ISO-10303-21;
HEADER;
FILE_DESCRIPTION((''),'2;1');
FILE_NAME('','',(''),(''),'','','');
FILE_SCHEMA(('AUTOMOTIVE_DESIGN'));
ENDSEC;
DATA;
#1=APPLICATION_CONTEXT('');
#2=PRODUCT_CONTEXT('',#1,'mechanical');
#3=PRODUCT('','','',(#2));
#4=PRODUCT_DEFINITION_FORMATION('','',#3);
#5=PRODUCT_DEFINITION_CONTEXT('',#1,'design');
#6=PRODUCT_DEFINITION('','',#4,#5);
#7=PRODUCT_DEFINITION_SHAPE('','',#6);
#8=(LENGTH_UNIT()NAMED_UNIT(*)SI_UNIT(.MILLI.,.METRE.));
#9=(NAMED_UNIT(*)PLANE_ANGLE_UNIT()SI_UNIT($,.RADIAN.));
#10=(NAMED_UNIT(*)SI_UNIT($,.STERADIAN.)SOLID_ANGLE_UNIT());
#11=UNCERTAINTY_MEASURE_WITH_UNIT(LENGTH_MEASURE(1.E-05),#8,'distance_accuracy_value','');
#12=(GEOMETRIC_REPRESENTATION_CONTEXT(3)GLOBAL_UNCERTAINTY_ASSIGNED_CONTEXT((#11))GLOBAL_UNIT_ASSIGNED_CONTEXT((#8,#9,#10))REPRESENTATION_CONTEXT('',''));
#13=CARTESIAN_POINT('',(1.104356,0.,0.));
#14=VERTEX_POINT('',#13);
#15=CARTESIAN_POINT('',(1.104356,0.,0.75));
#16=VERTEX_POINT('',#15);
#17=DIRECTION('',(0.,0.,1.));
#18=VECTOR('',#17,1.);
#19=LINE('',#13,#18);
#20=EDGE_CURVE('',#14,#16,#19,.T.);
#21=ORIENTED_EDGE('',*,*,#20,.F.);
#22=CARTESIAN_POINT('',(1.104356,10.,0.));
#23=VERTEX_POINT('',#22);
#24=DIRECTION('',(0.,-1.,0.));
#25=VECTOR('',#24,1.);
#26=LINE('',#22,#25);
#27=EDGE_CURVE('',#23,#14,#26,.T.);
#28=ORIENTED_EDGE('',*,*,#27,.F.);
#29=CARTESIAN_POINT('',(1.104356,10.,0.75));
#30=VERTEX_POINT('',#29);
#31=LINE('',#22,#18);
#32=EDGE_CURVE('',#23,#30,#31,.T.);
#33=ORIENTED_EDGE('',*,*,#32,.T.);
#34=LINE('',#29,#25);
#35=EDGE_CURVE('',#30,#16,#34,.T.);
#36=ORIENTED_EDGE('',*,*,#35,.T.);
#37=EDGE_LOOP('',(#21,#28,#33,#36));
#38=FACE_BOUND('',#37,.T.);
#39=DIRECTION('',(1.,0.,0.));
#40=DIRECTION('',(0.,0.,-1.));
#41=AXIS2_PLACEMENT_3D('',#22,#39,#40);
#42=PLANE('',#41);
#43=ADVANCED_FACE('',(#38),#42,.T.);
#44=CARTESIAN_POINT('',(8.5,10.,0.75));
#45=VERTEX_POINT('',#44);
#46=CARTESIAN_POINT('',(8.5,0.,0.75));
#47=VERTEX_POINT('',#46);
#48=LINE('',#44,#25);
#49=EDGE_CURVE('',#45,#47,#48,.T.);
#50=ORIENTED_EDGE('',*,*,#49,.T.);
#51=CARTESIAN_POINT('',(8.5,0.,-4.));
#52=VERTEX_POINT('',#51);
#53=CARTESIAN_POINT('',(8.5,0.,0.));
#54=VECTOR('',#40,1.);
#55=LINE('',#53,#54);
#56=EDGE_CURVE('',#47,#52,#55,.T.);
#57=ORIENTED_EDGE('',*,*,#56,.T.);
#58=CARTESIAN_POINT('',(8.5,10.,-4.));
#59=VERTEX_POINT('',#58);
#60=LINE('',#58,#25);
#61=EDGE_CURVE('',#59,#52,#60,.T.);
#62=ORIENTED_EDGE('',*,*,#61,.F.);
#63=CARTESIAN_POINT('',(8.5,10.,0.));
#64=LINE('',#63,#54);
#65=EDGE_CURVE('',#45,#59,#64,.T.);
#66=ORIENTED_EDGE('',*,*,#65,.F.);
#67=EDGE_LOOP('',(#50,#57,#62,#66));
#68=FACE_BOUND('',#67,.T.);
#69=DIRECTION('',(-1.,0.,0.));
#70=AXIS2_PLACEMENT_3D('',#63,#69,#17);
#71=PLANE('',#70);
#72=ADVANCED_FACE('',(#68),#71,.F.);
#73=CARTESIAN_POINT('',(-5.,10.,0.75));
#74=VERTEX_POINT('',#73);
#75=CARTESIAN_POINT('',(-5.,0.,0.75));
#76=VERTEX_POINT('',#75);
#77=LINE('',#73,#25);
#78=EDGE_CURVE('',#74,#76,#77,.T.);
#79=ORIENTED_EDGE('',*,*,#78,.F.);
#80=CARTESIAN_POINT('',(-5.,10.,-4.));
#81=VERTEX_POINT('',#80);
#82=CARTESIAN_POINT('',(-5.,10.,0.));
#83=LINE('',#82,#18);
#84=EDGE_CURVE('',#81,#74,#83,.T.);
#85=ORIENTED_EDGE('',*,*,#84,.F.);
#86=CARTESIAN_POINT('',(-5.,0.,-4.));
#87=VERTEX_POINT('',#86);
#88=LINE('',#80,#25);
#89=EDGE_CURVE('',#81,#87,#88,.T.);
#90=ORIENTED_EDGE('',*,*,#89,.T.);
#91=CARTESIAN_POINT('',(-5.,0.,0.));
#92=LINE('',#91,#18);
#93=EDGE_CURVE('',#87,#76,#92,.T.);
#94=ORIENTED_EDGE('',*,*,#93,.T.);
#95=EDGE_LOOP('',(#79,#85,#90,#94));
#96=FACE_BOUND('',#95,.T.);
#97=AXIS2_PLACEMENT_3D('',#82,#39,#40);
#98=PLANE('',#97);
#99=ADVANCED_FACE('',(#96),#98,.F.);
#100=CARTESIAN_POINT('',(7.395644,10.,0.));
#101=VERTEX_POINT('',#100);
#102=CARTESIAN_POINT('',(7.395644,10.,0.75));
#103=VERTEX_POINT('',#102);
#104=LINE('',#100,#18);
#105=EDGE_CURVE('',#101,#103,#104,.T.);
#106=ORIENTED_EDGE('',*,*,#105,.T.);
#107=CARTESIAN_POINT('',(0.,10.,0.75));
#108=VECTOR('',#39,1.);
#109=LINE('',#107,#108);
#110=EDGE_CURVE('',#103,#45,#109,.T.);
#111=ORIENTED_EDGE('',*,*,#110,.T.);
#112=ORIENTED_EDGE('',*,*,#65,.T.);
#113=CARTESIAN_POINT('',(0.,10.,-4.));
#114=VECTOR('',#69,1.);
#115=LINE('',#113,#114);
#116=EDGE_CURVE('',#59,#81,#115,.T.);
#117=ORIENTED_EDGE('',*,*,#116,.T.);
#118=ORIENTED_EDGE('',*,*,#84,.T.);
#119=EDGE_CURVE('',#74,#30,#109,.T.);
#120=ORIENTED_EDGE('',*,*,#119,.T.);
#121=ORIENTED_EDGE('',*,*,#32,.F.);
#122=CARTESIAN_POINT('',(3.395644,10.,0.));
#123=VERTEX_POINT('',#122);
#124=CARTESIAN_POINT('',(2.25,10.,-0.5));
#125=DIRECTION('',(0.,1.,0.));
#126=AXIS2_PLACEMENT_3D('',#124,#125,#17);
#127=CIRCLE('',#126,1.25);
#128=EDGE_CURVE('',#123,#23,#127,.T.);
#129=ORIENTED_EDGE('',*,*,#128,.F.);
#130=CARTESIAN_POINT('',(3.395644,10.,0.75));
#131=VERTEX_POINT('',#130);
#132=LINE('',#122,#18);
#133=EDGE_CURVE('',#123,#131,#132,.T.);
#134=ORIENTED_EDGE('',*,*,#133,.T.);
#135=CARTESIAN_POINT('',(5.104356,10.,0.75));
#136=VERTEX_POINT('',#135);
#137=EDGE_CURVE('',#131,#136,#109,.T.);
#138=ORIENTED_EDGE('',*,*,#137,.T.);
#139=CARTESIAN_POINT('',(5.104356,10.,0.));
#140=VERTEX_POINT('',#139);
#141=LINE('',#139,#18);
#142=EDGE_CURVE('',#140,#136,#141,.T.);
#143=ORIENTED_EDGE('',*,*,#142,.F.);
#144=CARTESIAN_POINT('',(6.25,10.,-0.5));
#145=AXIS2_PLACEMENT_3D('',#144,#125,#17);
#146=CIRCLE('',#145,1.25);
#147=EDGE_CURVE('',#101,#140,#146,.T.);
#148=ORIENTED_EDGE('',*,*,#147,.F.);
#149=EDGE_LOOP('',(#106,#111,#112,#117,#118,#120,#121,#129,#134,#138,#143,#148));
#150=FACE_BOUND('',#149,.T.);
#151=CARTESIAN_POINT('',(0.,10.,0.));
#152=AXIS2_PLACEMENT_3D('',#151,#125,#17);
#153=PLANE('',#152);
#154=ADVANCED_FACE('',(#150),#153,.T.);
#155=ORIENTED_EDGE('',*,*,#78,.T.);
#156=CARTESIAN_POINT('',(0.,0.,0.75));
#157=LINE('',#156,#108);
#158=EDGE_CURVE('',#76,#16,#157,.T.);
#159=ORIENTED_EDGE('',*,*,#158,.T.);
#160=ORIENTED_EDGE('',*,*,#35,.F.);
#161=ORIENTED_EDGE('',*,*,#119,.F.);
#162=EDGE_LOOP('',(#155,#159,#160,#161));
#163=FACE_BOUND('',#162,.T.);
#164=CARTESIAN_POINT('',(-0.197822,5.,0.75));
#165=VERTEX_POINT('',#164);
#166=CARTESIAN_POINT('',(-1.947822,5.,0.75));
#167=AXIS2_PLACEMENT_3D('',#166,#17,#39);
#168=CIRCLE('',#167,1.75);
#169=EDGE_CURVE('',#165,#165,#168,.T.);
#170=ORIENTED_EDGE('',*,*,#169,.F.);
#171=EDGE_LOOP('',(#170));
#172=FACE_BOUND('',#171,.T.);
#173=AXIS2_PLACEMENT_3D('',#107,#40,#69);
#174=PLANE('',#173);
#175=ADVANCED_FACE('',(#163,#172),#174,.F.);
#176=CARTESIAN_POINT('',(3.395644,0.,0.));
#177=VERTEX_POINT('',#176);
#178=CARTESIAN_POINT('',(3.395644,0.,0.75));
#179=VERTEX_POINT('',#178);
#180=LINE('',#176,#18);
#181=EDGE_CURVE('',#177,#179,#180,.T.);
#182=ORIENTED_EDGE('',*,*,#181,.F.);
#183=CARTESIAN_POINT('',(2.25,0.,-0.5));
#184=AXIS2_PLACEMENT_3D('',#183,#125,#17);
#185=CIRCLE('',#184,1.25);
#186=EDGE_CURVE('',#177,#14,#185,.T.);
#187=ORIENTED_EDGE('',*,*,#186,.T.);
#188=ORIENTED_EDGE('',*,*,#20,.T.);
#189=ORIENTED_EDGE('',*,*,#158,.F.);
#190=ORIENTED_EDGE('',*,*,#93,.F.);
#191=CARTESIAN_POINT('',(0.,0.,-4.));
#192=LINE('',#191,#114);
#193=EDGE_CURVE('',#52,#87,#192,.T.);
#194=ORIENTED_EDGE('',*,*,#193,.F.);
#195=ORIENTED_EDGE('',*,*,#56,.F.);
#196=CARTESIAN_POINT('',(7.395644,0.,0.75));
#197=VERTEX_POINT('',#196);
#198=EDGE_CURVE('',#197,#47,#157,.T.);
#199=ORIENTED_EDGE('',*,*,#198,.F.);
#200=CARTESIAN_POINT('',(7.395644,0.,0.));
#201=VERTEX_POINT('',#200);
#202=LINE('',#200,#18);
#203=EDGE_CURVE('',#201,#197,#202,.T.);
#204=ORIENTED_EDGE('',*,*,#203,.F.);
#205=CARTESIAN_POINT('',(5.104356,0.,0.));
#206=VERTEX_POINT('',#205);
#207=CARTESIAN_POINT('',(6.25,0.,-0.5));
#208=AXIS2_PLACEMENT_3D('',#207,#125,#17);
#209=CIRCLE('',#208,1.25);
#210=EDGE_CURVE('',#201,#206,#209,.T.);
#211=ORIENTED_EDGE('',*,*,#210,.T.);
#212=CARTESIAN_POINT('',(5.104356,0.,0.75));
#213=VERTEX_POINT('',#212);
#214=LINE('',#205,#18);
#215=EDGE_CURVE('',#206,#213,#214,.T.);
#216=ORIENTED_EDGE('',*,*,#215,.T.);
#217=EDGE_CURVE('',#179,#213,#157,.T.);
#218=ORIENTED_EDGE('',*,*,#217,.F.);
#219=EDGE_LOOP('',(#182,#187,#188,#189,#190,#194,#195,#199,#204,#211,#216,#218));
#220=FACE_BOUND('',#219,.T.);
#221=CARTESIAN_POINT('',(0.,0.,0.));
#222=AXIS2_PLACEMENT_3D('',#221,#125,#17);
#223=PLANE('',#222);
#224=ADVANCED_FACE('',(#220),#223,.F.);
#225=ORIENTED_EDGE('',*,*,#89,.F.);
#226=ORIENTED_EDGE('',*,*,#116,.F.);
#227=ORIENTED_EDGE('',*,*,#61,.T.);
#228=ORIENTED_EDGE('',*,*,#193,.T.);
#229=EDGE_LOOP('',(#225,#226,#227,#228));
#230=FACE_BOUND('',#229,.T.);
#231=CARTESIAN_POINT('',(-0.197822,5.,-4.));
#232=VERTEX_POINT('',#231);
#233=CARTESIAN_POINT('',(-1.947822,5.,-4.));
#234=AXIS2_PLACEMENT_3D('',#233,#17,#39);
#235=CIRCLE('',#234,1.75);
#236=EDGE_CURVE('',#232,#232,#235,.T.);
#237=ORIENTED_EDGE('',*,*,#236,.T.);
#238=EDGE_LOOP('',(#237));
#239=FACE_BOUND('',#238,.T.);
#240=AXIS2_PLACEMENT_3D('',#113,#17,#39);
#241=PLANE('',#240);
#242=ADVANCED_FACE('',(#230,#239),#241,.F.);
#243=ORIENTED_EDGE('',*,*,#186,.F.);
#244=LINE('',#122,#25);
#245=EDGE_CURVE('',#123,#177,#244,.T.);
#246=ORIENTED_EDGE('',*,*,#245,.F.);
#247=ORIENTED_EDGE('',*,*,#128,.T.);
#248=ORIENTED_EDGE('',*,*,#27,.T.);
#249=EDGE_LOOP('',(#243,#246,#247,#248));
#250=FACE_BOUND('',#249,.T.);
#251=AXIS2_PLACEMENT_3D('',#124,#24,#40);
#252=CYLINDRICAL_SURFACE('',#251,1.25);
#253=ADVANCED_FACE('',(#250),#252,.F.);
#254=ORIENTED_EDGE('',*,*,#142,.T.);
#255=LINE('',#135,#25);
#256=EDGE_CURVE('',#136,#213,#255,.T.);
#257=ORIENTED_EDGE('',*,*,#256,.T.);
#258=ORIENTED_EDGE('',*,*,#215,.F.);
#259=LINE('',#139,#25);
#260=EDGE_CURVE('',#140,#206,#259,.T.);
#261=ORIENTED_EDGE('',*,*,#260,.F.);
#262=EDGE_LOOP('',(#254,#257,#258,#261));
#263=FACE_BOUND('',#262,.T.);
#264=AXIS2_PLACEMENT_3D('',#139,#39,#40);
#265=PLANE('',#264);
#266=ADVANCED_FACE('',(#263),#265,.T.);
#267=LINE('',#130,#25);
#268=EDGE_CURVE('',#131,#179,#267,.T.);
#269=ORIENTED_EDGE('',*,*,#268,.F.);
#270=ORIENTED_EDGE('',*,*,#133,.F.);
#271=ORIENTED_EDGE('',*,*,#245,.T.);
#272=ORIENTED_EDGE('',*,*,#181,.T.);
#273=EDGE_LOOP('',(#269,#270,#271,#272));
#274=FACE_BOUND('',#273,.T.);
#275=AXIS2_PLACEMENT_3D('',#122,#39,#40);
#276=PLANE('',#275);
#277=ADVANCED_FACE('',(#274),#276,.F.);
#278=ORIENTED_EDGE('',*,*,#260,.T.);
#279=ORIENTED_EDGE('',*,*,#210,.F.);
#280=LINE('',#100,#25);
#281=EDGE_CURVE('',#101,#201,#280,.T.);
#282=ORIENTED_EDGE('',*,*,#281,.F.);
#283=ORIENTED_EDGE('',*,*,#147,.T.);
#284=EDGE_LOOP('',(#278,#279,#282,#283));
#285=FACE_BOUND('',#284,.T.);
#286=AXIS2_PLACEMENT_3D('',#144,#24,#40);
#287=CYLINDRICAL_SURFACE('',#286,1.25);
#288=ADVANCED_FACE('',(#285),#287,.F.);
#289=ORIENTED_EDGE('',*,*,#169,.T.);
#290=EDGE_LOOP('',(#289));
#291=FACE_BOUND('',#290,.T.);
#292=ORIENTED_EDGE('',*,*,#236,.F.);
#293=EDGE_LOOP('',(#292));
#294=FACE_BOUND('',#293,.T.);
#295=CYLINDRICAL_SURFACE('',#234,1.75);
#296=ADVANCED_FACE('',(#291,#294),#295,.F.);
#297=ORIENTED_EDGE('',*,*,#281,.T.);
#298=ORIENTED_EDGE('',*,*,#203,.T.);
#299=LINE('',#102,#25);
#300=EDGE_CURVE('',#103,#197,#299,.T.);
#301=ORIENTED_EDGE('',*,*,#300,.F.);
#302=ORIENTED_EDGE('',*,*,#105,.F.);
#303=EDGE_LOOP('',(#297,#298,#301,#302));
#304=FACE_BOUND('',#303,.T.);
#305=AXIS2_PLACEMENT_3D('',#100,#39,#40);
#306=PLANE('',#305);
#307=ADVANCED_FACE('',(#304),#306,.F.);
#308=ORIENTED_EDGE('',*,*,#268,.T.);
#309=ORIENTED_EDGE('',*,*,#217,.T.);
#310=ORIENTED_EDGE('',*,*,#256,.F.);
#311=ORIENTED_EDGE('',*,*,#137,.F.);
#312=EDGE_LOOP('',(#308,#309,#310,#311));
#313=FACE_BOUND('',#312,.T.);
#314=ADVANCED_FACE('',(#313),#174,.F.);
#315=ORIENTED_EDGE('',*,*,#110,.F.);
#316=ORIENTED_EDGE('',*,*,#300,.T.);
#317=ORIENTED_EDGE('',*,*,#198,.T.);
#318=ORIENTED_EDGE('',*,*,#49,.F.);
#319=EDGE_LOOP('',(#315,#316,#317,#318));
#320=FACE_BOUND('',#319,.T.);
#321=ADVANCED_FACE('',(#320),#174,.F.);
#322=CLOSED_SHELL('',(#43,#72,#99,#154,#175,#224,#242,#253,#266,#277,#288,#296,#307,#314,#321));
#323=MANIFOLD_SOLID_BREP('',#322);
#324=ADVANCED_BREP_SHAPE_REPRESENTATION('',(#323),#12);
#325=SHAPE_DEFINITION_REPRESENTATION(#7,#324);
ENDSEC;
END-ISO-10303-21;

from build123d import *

# Parameters (mm, degrees)
BOSS_EXTRUDE1_DEPTH = 10
SKETCH4_R           = 1.75
CUT_EXTRUDE2_DEPTH  = 14.957524852


with BuildPart() as part:
    # Sketch1 → Boss-Extrude1 (new body)
    with BuildSketch(Plane(origin=(0, 0, 0), x_dir=(1, 0, 0), z_dir=(0, 1, 0))):
        with BuildLine():
            Line((8.5, 4), (-5, 4))
            Line((-5, 4), (-5, -0.75))
            Line((-5, -0.75), (1.104356076, -0.75))
            Line((1.104356076, -0.75), (1.104356076, 0))
            ThreePointArc((1.104356076, 0), (2.25, 1.75), (3.395643924, 0))
            Line((3.395643924, 0), (3.395643924, -0.75))
            Line((3.395643924, -0.75), (5.104356076, -0.75))
            Line((5.104356076, -0.75), (5.104356076, 0))
            ThreePointArc((5.104356076, 0), (6.25, 1.75), (7.395643924, 0))
            Line((7.395643924, 0), (7.395643924, -0.75))
            Line((7.395643924, -0.75), (8.5, -0.75))
            Line((8.5, -0.75), (8.5, 4))
        make_face()
    extrude(amount=BOSS_EXTRUDE1_DEPTH)

    # Sketch4 → Cut-Extrude2 (cut, through all)
    with BuildSketch(Plane.XY.offset(0.75)):
        with Locations((-1.947821962, 5)):
            Circle(SKETCH4_R)
    extrude(amount=-CUT_EXTRUDE2_DEPTH, mode=Mode.SUBTRACT)


solid = part.part
